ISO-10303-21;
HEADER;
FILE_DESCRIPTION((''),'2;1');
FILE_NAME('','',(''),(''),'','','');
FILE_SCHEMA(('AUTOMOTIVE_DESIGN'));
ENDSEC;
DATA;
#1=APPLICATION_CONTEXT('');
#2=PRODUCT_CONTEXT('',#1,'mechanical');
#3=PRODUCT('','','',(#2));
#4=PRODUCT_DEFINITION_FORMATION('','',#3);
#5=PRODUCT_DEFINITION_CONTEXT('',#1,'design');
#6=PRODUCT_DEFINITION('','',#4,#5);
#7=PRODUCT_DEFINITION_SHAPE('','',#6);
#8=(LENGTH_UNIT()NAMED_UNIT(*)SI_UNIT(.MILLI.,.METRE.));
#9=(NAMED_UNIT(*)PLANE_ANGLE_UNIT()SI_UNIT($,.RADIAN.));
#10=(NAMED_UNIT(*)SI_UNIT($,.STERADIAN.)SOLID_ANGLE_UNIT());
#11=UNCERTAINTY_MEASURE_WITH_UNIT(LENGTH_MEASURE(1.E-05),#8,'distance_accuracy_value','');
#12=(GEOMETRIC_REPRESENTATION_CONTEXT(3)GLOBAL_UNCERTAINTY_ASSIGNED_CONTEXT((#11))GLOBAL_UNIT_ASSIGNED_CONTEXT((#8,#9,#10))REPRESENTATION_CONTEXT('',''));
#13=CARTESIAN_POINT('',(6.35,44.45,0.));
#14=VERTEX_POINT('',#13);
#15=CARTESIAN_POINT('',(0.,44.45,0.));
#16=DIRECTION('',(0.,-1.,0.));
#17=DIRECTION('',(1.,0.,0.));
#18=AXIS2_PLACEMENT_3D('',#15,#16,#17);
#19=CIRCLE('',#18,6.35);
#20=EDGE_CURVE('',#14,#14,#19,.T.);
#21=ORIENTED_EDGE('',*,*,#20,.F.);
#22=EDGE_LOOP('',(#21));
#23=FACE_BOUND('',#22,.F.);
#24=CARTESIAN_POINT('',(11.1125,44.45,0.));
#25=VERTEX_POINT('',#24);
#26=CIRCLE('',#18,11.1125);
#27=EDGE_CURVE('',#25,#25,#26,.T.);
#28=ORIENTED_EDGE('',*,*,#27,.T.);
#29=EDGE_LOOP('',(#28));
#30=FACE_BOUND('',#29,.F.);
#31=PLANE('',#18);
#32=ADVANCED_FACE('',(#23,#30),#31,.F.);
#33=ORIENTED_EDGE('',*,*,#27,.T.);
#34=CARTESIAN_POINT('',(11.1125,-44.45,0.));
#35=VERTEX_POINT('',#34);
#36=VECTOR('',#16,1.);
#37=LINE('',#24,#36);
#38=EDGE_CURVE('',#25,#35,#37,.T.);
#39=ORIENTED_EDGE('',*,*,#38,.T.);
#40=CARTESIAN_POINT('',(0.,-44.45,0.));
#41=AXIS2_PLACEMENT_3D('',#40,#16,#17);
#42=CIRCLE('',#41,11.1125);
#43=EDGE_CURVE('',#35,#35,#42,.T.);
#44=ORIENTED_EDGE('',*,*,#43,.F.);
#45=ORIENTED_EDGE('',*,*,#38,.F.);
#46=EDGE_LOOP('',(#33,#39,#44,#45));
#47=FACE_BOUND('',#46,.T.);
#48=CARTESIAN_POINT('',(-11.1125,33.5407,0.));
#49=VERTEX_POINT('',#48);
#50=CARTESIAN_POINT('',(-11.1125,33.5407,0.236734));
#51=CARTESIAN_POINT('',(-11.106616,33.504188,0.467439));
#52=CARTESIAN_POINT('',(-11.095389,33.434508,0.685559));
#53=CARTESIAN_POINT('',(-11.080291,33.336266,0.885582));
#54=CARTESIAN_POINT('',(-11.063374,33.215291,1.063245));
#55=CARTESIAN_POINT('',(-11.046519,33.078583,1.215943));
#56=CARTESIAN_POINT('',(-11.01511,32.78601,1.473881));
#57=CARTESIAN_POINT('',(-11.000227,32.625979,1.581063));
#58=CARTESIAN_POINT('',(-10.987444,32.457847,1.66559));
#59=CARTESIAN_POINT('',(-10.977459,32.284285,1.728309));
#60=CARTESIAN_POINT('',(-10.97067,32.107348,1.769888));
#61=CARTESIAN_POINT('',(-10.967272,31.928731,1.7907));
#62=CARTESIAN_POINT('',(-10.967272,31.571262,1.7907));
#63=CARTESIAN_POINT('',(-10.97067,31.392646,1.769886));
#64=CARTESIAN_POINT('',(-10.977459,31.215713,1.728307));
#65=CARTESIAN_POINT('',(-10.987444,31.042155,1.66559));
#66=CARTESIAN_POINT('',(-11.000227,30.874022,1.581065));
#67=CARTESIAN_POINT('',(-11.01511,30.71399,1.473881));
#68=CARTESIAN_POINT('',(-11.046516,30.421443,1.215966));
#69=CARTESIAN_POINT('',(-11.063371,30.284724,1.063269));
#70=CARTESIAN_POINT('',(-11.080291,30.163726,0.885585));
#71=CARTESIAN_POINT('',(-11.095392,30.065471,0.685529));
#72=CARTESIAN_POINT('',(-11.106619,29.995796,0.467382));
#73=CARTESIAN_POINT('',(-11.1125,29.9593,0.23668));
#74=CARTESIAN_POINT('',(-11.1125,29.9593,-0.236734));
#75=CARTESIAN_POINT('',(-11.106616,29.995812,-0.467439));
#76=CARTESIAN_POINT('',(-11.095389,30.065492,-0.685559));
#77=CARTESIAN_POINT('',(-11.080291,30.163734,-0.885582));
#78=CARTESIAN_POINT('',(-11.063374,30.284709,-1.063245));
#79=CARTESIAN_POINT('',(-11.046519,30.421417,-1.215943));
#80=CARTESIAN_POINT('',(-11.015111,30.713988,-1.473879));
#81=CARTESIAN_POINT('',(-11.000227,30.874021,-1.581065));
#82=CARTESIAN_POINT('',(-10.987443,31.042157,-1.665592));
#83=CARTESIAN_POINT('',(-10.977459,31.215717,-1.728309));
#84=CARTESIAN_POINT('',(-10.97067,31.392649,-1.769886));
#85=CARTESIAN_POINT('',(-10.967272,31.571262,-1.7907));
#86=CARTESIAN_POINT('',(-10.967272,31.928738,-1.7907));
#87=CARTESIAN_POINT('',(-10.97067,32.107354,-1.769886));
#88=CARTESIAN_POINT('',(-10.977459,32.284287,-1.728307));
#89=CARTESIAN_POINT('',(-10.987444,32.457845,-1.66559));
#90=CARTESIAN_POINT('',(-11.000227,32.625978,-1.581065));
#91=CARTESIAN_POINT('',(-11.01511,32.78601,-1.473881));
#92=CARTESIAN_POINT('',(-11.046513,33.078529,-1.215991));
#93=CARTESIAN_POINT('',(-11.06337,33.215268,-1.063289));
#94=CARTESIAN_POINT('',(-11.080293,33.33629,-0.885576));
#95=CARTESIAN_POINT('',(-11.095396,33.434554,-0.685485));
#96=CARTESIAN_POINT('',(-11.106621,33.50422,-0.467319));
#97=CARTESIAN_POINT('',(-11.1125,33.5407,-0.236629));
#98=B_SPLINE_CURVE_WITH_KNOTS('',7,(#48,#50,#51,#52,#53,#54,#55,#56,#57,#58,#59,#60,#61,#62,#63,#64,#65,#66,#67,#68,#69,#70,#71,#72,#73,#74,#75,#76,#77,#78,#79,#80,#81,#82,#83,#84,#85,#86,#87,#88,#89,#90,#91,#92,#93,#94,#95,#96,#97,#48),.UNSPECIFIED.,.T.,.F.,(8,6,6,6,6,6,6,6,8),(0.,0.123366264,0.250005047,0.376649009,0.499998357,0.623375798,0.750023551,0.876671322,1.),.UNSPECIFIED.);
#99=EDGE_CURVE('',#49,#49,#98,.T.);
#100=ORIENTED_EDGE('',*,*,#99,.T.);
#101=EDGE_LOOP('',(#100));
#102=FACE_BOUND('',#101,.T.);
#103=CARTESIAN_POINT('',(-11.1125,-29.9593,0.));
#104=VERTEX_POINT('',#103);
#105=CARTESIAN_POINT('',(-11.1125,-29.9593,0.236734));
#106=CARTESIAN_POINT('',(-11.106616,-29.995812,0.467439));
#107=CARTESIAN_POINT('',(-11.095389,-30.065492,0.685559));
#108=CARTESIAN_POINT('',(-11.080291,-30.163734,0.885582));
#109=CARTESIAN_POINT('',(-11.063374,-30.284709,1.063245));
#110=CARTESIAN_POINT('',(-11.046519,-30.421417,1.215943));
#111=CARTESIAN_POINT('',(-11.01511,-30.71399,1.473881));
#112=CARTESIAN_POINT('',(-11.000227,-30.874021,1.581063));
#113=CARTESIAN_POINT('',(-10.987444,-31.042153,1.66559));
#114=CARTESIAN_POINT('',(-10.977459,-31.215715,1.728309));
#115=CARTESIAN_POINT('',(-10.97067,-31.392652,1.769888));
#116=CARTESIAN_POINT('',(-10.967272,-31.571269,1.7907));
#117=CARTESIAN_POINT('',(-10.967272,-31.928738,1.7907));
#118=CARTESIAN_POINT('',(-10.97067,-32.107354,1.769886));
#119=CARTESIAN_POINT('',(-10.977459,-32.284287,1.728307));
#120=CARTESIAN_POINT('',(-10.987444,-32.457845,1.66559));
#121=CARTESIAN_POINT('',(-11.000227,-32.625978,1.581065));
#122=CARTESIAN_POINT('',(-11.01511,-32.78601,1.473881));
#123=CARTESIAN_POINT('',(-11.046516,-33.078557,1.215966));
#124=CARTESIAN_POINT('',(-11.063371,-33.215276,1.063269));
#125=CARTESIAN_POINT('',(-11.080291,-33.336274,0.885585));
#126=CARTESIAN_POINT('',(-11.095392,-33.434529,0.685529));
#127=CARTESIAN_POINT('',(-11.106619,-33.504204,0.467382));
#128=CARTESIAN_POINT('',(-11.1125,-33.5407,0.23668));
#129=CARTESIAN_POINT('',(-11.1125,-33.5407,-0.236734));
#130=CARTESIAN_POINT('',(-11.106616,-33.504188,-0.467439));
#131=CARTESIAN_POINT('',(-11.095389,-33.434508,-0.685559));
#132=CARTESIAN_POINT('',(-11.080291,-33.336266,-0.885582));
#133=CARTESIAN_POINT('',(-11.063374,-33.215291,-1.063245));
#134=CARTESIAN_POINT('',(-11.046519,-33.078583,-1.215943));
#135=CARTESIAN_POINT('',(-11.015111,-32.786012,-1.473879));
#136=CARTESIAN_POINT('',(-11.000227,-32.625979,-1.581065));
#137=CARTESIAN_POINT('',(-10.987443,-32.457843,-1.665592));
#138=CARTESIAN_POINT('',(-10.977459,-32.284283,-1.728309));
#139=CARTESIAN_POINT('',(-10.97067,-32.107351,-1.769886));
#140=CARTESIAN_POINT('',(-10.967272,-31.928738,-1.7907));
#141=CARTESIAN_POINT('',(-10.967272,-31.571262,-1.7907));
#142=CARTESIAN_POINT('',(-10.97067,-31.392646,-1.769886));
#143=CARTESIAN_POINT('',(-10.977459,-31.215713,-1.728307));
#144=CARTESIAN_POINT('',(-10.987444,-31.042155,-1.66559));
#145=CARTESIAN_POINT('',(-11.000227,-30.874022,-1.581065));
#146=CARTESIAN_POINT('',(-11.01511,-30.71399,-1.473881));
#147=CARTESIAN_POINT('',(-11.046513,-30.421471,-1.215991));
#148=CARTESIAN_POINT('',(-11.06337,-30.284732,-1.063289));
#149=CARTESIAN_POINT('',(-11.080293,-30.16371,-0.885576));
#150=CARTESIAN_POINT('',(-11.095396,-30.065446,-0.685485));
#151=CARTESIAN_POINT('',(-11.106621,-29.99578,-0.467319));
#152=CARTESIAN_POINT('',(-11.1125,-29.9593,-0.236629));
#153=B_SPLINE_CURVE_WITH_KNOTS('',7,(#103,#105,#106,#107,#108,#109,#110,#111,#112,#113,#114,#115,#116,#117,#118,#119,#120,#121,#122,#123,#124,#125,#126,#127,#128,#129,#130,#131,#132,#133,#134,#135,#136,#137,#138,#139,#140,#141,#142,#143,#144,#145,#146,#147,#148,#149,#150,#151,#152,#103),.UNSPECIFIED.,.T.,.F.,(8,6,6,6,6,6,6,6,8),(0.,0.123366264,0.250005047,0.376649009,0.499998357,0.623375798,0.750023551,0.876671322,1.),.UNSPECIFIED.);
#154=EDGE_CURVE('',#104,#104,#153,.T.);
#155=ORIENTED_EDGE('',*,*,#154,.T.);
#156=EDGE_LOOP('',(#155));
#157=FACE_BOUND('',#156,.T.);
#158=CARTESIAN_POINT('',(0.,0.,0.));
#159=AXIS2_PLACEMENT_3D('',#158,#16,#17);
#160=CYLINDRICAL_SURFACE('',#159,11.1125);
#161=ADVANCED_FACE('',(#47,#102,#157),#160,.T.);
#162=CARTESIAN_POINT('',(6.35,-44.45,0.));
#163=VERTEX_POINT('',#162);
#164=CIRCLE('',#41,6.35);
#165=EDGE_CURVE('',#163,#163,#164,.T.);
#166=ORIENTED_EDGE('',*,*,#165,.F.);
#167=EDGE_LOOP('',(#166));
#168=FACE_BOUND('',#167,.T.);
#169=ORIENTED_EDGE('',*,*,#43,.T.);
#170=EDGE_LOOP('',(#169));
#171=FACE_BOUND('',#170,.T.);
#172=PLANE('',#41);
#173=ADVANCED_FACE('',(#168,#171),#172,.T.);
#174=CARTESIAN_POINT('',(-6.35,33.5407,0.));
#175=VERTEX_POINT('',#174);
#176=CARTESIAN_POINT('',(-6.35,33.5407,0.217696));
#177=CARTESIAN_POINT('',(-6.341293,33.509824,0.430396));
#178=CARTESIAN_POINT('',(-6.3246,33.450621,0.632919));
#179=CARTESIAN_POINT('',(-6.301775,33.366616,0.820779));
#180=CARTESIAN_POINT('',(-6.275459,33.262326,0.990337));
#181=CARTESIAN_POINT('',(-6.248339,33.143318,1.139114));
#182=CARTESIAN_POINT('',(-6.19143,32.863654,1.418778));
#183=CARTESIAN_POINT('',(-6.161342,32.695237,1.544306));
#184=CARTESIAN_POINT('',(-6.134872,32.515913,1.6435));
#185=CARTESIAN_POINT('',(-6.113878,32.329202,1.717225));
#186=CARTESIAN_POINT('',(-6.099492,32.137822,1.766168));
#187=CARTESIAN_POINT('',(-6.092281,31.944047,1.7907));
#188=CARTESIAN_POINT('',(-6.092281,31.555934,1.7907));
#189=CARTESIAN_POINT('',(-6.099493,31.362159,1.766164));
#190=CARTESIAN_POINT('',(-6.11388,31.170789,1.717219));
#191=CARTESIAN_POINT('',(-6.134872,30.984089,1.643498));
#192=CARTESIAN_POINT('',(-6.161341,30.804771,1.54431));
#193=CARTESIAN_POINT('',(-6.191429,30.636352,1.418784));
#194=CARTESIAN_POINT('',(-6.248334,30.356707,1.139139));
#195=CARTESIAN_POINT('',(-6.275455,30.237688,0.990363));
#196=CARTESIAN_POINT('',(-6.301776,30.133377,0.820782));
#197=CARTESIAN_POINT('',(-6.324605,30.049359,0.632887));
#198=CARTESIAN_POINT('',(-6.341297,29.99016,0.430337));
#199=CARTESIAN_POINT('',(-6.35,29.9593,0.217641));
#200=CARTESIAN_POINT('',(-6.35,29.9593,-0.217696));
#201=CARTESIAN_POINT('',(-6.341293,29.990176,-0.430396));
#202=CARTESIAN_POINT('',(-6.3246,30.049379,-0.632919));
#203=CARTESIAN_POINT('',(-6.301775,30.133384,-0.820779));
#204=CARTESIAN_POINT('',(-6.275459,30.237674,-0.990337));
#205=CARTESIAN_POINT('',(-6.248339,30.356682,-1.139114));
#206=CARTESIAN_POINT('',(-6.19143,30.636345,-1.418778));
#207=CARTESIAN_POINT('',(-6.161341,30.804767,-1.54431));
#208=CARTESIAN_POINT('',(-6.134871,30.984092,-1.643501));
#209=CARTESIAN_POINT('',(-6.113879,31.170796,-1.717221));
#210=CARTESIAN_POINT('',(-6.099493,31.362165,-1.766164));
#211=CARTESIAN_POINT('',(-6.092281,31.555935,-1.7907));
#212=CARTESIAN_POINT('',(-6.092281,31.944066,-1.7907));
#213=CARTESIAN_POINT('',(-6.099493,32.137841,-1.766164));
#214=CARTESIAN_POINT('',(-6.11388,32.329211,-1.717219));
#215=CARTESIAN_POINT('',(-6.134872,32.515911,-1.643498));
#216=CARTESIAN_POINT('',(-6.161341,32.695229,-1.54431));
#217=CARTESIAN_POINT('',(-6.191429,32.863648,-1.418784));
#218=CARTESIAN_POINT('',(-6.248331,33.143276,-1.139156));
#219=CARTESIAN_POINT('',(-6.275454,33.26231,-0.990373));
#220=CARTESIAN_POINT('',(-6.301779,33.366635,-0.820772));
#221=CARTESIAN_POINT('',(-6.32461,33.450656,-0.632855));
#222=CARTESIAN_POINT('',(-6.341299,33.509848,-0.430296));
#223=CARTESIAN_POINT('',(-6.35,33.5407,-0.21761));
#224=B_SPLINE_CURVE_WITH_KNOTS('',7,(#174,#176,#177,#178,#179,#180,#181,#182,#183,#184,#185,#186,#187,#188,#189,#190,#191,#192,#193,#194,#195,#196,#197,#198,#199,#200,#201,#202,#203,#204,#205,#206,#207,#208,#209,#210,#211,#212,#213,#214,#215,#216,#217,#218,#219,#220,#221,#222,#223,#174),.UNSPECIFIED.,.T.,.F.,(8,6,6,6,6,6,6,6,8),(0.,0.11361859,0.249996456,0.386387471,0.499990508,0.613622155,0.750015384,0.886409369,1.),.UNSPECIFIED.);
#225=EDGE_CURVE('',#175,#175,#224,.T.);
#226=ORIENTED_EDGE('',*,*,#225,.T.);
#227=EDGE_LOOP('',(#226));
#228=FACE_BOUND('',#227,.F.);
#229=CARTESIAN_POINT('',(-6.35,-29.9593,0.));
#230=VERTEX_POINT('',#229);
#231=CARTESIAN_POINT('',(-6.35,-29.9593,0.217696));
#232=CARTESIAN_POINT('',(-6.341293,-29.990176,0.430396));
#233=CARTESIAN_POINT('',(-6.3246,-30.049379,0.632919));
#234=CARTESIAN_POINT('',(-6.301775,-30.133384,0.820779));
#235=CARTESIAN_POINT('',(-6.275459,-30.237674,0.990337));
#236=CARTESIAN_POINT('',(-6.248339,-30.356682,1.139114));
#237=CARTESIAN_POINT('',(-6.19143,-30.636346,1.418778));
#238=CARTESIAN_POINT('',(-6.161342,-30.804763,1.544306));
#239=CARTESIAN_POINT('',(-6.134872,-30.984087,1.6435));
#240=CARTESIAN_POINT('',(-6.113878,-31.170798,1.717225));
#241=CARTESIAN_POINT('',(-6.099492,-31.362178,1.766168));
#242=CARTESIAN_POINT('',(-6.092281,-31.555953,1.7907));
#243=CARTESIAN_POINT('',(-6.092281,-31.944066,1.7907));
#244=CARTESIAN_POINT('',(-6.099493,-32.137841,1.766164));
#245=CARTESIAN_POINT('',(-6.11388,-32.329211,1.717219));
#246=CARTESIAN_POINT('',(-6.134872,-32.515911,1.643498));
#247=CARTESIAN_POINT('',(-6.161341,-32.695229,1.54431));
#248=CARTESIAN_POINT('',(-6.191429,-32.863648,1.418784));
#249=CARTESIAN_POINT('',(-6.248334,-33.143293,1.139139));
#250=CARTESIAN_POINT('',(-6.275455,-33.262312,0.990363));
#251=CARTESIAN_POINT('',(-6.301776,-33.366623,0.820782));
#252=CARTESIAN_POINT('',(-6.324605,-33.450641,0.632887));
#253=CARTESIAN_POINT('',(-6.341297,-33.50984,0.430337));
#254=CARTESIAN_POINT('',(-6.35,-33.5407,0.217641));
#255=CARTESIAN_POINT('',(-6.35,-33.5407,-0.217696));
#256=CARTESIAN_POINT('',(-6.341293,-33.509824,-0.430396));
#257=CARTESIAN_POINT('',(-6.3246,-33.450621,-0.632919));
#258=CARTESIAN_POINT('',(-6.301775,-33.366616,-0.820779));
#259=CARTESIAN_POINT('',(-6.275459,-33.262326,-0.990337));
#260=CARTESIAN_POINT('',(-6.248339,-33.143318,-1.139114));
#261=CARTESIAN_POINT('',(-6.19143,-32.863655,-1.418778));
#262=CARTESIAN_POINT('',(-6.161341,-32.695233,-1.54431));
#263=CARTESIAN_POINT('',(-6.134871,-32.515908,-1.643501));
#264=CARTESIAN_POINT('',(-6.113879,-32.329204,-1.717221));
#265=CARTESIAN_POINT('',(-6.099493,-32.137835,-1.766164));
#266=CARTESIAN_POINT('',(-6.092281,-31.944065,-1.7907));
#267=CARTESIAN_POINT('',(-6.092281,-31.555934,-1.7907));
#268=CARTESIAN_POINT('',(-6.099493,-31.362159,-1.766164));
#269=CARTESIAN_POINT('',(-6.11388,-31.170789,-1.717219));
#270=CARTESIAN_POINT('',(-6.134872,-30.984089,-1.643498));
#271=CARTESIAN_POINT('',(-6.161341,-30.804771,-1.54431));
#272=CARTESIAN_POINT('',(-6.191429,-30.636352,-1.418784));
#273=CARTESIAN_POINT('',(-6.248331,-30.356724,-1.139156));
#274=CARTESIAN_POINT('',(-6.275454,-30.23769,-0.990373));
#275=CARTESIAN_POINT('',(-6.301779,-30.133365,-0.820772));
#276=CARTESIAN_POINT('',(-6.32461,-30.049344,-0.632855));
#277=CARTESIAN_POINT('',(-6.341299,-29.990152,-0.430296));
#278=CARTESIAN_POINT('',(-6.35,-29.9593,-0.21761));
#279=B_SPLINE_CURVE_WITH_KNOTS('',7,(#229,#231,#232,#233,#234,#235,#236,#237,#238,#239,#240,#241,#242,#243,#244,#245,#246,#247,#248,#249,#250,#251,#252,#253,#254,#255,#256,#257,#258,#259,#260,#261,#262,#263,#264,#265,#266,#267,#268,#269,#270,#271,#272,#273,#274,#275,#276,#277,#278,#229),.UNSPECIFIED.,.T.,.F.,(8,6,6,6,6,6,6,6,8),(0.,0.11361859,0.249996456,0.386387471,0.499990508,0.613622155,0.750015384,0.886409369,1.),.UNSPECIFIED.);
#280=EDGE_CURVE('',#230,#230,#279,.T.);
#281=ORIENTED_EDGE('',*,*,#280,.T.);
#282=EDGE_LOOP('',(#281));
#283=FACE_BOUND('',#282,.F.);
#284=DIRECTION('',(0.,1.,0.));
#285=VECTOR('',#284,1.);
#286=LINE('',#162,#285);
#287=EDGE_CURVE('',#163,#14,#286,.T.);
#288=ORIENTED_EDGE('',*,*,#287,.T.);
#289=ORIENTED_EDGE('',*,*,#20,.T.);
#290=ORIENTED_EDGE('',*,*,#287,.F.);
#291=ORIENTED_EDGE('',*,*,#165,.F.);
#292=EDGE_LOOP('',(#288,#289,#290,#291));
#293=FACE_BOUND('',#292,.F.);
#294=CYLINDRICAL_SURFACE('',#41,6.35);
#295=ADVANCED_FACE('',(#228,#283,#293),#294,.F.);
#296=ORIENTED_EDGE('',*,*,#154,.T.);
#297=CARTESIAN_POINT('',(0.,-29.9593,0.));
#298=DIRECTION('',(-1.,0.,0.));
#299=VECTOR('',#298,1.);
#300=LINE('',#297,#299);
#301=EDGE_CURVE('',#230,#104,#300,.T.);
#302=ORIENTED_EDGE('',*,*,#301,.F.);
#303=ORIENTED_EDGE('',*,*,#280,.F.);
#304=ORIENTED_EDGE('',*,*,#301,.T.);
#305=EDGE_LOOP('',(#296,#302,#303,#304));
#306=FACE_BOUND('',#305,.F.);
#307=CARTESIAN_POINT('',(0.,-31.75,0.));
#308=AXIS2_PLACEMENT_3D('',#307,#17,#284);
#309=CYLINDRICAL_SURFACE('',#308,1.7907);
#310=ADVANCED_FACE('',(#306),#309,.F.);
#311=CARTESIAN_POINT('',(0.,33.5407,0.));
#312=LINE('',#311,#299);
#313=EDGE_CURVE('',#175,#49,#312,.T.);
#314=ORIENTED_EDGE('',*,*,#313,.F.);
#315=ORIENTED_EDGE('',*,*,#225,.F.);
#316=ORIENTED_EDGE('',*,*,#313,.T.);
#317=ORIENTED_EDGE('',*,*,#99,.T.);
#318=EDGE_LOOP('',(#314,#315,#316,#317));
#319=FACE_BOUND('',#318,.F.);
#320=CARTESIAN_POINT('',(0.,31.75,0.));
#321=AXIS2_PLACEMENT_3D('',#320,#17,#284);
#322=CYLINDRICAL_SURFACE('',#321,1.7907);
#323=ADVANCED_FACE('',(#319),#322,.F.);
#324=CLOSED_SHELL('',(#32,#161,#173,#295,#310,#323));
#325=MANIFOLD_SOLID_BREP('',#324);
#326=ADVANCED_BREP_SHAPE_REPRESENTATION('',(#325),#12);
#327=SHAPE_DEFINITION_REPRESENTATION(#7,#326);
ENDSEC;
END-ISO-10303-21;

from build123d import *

# Parameters (mm, degrees)
F0_R     = 11.1125
F1_DEPTH = 44.45
F2_R     = 6.35
F3_DEPTH = 88.9
F4_R     = 1.7907
F5_DEPTH = 11.1135
F6_R     = 1.7907
F7_DEPTH = 11.1135001


with BuildPart() as f1:
    # F0 (on Front) → F1 (new body, symmetric)
    with BuildSketch(Plane.XZ):
        Circle(F0_R)
    extrude(amount=F1_DEPTH, both=True)

    # F2 (on face) → F3 (cut)
    with BuildSketch(Plane.XZ.offset(44.45)):
        Circle(F2_R)
    extrude(amount=-F3_DEPTH, mode=Mode.SUBTRACT)

    # F4 (on Right) → F5 (cut, through all)
    with BuildSketch(Plane.YZ):
        with Locations((-31.75, 0)):
            Circle(F4_R)
    extrude(amount=-F5_DEPTH, mode=Mode.SUBTRACT)

    # F6 (on Right) → F7 (cut, through all)
    with BuildSketch(Plane.YZ):
        with Locations((31.75, 0)):
            Circle(F6_R)
    extrude(amount=-F7_DEPTH, mode=Mode.SUBTRACT)


solid = f1.part
